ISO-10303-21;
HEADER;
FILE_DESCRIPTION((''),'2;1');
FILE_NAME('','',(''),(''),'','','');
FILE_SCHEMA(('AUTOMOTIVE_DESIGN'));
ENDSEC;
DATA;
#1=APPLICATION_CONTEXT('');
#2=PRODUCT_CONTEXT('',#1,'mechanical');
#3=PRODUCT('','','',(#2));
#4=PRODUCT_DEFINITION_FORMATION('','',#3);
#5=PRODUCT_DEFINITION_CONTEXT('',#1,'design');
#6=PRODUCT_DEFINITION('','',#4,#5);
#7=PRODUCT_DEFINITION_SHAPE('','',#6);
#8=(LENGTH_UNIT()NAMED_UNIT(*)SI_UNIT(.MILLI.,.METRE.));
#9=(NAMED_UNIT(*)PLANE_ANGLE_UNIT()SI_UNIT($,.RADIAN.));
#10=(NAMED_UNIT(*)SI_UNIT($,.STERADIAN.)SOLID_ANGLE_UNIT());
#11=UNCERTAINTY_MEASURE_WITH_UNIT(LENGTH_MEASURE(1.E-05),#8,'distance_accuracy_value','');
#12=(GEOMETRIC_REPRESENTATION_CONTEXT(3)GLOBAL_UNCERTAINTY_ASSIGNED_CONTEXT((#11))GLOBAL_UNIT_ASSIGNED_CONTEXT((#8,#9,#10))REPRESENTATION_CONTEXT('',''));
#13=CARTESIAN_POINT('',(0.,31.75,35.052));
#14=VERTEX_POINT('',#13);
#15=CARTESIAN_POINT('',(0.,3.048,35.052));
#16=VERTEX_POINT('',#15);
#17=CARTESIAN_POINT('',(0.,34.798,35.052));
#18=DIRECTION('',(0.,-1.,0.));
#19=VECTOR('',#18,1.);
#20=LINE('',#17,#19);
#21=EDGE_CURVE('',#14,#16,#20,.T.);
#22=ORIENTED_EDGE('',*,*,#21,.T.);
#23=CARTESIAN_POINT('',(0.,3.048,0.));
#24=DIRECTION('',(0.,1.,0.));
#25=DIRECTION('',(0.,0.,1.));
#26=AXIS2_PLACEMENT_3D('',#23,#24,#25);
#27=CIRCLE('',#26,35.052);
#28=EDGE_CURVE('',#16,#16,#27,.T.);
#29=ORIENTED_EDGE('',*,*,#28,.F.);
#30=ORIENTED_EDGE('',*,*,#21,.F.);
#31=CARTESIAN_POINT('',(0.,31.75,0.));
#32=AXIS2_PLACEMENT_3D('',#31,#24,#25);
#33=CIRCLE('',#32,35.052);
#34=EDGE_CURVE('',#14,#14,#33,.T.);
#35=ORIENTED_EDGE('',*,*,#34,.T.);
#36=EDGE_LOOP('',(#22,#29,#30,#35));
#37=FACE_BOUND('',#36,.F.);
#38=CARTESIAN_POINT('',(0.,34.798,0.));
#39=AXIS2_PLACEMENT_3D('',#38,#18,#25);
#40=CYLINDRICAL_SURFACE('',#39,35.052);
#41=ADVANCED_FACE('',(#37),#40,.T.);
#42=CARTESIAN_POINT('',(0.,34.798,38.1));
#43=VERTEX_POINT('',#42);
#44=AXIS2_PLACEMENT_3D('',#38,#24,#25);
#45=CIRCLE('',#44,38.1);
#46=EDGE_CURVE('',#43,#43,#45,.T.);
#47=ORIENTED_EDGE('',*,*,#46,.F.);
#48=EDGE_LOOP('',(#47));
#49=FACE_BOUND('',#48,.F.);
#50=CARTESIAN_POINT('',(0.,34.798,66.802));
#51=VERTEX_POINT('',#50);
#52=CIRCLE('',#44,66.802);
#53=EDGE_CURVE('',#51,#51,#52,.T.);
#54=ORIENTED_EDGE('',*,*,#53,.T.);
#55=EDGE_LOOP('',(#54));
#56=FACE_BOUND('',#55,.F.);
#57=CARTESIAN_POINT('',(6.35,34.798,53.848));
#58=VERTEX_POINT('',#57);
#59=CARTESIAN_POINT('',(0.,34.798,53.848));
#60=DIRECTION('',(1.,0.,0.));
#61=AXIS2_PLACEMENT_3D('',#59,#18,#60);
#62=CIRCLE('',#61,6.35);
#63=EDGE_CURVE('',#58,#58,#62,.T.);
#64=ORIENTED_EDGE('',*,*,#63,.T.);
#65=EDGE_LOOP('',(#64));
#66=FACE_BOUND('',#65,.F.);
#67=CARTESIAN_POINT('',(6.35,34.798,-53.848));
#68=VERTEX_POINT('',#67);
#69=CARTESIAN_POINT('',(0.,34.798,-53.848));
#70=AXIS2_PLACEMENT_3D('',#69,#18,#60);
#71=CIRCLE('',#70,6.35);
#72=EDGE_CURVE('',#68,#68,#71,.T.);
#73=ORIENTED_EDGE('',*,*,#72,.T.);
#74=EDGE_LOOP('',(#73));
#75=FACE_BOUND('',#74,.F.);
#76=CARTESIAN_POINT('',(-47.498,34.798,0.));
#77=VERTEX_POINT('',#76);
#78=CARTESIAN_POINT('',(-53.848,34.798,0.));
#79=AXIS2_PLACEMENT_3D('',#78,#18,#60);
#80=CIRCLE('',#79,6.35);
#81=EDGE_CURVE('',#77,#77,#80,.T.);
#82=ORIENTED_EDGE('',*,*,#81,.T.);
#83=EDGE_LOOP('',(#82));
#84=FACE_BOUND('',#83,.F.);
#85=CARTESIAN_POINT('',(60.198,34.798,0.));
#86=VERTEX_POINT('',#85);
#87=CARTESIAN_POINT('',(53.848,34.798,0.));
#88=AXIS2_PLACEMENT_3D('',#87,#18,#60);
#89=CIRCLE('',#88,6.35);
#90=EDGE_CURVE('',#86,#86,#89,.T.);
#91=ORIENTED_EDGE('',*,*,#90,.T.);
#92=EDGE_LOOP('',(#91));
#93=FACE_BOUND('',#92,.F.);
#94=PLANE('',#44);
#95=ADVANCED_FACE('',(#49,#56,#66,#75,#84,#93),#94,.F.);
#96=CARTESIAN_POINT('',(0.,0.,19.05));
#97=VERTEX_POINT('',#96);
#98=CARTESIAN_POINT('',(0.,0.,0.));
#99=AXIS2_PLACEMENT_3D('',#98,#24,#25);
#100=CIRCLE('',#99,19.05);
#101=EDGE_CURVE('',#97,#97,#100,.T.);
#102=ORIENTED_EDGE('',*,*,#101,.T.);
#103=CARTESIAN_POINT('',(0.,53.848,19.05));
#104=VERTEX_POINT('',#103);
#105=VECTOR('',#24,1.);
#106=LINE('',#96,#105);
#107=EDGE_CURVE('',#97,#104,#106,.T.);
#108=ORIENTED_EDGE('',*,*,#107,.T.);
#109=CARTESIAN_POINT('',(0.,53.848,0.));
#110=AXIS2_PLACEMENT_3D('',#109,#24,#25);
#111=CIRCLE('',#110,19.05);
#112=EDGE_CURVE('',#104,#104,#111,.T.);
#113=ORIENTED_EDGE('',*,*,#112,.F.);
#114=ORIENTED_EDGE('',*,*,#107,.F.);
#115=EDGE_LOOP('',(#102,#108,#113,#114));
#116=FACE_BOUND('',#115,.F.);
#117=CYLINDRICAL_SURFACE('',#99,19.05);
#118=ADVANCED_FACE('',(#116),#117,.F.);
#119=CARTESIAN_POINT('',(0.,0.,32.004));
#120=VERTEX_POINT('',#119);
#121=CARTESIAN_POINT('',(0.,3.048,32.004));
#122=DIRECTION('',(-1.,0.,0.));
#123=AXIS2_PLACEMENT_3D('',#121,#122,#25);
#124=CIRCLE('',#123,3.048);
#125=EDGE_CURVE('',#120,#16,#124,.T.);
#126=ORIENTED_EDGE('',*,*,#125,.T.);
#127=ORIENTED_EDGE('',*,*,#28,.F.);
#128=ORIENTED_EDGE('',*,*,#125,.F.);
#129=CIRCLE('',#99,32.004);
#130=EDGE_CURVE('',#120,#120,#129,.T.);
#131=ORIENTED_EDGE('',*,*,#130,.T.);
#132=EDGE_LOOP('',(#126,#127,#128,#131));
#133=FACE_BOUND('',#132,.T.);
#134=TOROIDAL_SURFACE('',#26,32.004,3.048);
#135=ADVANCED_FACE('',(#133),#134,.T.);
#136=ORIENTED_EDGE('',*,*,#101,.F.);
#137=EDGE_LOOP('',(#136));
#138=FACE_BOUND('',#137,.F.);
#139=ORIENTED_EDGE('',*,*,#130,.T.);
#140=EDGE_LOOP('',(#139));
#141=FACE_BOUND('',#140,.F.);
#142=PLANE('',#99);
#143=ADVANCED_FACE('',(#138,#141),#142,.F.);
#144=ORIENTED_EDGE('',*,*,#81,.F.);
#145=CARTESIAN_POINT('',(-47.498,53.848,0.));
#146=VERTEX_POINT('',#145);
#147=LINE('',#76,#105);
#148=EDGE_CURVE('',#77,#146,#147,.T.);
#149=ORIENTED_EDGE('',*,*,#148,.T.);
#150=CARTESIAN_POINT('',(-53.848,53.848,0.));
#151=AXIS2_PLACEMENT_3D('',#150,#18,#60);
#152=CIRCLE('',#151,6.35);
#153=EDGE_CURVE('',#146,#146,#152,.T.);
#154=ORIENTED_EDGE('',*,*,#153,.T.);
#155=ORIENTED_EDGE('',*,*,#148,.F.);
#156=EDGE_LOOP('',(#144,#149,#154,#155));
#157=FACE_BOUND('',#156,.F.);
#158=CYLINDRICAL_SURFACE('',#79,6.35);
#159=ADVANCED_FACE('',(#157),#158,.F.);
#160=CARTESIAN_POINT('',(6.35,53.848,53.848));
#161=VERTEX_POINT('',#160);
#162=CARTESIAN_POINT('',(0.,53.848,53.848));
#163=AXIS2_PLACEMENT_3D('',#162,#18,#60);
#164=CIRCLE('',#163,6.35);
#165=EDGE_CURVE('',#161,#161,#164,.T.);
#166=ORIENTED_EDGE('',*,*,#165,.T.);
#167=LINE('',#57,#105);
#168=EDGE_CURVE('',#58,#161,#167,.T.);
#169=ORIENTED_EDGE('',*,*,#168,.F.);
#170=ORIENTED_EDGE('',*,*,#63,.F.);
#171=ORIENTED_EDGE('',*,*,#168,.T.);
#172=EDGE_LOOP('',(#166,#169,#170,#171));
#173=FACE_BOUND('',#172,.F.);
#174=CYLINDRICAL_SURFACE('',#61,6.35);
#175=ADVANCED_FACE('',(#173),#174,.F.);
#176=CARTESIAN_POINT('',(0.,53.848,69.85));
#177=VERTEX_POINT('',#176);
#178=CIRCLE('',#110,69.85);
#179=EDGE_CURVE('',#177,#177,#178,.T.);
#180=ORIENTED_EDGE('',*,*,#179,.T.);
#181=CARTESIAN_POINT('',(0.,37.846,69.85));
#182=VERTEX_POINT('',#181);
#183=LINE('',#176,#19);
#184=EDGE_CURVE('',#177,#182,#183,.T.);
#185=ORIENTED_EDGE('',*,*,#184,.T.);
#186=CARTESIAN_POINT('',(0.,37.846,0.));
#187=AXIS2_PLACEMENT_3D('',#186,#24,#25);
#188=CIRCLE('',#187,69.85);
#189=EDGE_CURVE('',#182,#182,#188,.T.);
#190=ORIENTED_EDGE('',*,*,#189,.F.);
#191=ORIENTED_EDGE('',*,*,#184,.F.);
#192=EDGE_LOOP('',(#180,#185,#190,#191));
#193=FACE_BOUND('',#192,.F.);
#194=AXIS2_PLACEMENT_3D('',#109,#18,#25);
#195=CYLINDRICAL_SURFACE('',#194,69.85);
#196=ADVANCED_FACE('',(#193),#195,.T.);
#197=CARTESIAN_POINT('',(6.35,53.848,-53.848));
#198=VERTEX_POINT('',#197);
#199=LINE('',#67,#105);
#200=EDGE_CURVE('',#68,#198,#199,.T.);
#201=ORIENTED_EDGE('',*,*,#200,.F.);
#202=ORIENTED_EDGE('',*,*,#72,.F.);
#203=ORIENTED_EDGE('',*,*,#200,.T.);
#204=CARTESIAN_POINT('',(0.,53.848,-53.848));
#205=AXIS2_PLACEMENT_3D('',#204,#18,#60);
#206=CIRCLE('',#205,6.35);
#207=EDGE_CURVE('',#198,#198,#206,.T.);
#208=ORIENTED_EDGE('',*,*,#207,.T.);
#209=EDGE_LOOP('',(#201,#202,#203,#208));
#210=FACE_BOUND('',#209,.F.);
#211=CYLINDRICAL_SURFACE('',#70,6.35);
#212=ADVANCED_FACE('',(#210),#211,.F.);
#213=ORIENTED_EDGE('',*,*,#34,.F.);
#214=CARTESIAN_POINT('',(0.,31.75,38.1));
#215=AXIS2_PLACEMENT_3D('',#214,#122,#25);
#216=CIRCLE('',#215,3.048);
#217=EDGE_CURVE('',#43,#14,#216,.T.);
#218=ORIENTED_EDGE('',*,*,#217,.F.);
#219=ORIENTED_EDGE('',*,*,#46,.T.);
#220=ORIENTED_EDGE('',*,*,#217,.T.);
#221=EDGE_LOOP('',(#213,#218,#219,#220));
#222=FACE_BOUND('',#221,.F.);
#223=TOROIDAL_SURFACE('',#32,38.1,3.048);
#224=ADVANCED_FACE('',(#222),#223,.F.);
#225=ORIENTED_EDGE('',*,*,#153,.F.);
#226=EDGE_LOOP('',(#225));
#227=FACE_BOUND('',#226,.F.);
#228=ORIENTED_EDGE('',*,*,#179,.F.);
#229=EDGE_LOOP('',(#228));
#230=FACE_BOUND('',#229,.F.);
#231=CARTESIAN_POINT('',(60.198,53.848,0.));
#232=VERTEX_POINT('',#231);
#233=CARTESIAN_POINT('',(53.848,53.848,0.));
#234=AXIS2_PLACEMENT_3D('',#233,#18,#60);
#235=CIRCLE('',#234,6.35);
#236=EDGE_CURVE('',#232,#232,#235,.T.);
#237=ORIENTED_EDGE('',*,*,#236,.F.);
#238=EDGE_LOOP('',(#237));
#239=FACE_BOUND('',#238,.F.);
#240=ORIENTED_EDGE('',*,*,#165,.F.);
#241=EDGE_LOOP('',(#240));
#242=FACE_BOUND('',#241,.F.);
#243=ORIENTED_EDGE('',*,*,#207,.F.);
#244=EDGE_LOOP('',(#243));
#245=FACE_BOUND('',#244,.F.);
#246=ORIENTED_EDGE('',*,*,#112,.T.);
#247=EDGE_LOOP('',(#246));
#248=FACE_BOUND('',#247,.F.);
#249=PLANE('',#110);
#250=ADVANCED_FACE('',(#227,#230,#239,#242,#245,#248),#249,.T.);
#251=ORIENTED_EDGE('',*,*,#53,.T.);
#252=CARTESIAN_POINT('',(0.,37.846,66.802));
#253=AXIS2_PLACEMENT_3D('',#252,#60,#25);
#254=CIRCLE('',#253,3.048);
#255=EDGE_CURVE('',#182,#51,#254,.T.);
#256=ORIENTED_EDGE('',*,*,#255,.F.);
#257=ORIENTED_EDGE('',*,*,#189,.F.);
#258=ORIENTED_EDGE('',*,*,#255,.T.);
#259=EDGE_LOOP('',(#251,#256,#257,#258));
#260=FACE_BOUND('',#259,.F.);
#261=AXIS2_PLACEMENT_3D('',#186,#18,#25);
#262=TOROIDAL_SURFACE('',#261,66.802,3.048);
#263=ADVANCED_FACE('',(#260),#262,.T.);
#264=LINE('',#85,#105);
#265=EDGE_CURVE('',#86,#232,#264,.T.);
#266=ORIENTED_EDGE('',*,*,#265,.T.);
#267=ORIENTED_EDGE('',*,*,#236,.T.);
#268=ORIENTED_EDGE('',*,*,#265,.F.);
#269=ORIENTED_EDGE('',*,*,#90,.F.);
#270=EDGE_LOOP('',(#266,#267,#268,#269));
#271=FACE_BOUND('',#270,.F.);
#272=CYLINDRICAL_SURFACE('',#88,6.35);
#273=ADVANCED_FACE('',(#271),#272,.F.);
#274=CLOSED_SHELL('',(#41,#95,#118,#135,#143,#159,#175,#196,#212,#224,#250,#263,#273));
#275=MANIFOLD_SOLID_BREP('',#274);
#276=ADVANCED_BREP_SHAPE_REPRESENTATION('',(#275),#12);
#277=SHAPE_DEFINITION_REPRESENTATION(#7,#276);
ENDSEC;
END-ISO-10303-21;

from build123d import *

# Parameters (mm, degrees)
F2_R     = 3.048
F3_R     = 6.35
F4_DEPTH = 19.051


with BuildPart() as f1:
    # F0 (on Right) → F1 (revolve)
    with BuildSketch(Plane.YZ):
        Polygon((0, 35.052), (0, 19.05), (53.848, 19.05), (53.848, 69.85), (34.798, 69.85), (34.798, 35.052), align=None)
    revolve(axis=Axis((0, 26.858481, 0), (0, 1, 0)))

    # F2
    f2_edges = [f1.edges().sort_by_distance(p)[0] for p in [
        (0, 0, -35.052),
        (0, 34.798, -35.052),
        (0, 34.798, -69.85),
    ]]
    fillet(f2_edges, radius=F2_R)

    # F3 (on face) → F4 (cut, through all)
    with BuildSketch(Plane.XZ.offset(-34.798)):
        with Locations((0, 53.848)):
            Circle(F3_R)
        with Locations((53.848, 0)):
            Circle(F3_R)
        with Locations((0, -53.848)):
            Circle(F3_R)
        with Locations((-53.848, 0)):
            Circle(F3_R)
    extrude(amount=-F4_DEPTH, mode=Mode.SUBTRACT)


solid = f1.part
